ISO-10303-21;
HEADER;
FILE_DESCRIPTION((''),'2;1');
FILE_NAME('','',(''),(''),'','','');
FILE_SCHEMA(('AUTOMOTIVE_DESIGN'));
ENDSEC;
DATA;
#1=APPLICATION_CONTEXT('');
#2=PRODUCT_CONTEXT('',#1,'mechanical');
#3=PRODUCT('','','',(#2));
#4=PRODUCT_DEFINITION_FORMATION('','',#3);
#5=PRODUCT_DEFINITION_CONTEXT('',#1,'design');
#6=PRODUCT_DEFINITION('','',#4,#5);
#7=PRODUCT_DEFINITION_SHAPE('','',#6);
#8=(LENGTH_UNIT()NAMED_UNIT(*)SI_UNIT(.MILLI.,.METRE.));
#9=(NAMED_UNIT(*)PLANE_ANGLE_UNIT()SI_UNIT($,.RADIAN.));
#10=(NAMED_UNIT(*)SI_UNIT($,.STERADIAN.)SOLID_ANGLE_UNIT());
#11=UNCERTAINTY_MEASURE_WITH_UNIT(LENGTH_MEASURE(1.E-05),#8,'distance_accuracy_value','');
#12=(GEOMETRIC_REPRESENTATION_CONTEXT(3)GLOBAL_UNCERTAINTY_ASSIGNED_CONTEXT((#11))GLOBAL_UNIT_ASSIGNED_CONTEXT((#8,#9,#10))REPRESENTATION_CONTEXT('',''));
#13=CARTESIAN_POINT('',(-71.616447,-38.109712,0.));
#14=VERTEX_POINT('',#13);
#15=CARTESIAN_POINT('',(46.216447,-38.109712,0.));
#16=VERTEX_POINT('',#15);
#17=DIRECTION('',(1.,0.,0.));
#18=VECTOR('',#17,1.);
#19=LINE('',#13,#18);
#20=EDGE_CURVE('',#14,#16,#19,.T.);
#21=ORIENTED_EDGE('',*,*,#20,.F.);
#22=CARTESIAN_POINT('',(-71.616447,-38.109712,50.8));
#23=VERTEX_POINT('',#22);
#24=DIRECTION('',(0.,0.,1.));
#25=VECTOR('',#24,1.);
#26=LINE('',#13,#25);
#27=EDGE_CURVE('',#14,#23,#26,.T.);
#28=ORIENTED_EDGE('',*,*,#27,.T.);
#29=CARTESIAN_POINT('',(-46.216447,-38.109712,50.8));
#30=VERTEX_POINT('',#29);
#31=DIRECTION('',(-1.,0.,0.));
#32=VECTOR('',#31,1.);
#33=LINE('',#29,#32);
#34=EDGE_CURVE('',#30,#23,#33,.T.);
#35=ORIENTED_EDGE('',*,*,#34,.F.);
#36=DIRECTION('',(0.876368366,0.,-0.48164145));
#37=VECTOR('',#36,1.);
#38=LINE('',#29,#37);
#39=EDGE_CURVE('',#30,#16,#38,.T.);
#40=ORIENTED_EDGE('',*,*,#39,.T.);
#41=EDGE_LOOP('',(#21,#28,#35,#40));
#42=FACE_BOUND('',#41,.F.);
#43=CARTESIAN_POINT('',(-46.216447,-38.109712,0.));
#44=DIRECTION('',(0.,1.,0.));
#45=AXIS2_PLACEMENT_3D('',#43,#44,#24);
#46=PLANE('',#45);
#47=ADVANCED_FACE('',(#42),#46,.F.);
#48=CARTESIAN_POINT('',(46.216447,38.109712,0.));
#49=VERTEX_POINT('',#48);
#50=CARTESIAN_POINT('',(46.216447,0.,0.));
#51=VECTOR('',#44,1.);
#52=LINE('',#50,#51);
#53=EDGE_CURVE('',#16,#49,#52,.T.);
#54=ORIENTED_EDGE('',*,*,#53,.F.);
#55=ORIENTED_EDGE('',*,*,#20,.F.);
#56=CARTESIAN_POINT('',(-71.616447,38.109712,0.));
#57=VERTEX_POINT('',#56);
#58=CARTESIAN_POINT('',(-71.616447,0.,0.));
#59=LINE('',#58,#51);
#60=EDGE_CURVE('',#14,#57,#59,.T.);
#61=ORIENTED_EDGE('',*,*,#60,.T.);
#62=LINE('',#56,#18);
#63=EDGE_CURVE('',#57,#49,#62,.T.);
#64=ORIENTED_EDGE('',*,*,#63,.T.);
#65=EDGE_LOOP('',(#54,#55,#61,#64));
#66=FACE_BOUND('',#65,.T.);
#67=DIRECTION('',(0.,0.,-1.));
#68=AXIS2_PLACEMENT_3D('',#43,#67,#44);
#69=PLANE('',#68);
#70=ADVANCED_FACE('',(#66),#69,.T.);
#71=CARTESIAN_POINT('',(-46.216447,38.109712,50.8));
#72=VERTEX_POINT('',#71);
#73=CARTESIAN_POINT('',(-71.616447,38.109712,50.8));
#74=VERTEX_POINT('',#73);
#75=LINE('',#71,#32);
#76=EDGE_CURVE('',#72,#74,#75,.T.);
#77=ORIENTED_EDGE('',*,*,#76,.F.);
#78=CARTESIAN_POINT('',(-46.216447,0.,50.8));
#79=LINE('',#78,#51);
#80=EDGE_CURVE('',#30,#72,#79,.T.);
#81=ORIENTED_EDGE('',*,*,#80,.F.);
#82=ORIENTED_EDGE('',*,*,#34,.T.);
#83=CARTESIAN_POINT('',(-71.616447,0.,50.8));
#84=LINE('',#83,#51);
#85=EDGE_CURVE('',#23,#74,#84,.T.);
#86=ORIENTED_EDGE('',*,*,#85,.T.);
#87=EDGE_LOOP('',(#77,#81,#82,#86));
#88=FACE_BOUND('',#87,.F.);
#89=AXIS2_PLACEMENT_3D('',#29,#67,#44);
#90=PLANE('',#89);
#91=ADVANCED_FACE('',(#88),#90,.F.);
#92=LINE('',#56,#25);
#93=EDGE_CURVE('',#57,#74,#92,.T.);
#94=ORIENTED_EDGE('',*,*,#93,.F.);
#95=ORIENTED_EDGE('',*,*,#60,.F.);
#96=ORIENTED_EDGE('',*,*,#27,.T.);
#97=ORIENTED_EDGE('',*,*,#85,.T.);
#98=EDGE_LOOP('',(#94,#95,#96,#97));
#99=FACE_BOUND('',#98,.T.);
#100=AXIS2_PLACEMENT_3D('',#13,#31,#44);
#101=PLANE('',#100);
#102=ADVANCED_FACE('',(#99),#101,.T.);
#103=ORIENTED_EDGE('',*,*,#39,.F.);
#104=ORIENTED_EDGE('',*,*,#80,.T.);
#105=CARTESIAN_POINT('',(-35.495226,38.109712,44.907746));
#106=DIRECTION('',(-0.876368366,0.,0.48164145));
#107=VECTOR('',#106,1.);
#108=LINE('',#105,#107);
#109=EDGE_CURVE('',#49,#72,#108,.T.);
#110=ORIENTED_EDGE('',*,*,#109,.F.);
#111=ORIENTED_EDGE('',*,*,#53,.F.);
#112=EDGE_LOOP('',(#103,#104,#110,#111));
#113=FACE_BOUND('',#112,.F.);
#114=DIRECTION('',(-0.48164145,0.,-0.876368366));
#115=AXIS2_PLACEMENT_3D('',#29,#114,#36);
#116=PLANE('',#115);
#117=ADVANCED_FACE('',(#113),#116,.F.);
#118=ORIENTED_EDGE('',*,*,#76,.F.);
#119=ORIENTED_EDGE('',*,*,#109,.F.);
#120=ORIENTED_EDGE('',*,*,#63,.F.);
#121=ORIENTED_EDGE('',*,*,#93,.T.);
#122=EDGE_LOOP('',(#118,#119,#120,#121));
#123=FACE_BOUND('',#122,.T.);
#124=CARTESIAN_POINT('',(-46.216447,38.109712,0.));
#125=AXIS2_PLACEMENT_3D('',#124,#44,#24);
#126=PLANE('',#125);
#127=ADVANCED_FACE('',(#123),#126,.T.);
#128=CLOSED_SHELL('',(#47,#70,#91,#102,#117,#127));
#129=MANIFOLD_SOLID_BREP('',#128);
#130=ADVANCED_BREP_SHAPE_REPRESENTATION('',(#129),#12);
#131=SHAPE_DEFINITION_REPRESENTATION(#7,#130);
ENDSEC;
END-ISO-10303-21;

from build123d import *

# Parameters (mm, degrees)
F0_W     = 92.4328938127
F0_H     = 76.2194246054
F1_DEPTH = 50.8
F3_DEPTH = 127
F4_DEPTH = 25.4


with BuildPart() as f1:
    # F0 (on Top) → F1 (new body)
    with BuildSketch(Plane.XY):
        Rectangle(F0_W, F0_H)
    extrude(amount=F1_DEPTH)

    # F2 (on face) → F3 (cut)
    with BuildSketch(Plane.XZ.offset(38.1097123027)):
        Polygon((46.2164469063, 50.8), (-46.2164469063, 50.8), (46.2164469063, 0), align=None)
    extrude(amount=-F3_DEPTH, mode=Mode.SUBTRACT)

    # F4 (add): a face of the model
    f4_faces = [f1.faces().sort_by_distance(p)[0] for p in [
        (-46.2164469063, 0, 25.4),
    ]]
    extrude(f4_faces, amount=F4_DEPTH)


solid = f1.part
